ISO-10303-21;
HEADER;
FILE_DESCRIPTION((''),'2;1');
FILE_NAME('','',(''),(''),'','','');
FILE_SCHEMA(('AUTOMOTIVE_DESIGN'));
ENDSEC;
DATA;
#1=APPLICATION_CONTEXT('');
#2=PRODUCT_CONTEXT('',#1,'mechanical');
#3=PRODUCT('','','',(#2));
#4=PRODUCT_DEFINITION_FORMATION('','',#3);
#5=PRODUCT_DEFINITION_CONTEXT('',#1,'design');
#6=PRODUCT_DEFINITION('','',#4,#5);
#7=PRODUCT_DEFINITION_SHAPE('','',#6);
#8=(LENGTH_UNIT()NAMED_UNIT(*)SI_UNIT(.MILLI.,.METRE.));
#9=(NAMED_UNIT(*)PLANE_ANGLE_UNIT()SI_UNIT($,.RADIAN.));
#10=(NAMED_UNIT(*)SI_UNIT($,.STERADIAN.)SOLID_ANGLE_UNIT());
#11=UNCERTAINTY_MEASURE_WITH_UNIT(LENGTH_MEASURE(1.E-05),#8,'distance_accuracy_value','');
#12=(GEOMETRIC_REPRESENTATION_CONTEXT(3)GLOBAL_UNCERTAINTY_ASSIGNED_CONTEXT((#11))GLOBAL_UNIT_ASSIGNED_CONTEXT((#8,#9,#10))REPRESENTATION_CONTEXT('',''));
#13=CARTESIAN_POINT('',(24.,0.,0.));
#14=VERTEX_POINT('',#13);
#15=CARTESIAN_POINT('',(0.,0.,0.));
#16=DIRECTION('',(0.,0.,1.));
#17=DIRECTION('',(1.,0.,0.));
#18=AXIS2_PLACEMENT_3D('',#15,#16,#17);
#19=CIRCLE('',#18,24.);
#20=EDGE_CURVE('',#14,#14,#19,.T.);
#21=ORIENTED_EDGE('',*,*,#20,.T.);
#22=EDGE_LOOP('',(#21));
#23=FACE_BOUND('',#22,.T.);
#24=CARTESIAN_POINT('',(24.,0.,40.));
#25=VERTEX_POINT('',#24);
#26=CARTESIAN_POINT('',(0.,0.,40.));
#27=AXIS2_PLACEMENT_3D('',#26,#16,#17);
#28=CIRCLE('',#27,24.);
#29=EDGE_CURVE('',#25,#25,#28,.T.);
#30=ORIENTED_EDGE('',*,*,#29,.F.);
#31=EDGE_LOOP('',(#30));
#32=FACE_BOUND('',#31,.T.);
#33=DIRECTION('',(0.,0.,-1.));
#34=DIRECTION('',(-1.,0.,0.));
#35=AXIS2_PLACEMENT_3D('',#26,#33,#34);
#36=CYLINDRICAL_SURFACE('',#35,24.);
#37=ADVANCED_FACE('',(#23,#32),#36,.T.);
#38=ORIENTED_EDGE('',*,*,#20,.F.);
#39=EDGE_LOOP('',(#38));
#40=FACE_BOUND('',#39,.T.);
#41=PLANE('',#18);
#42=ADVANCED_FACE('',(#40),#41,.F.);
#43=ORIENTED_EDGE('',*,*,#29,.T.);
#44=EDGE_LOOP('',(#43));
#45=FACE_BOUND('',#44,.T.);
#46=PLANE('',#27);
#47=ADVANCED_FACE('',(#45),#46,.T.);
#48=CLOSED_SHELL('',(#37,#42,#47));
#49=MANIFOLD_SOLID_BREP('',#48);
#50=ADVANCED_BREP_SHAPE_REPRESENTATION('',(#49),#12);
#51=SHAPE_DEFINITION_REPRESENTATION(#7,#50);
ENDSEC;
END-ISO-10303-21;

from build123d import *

# Parameters (mm, degrees)
ESQUISSE1_R        = 24
BOSS_EXTRU_1_DEPTH = 40


with BuildPart() as part:
    # Esquisse1 → Boss.-Extru.1 (new body)
    with BuildSketch(Plane.XY):
        Circle(ESQUISSE1_R)
    extrude(amount=BOSS_EXTRU_1_DEPTH)


solid = part.part
